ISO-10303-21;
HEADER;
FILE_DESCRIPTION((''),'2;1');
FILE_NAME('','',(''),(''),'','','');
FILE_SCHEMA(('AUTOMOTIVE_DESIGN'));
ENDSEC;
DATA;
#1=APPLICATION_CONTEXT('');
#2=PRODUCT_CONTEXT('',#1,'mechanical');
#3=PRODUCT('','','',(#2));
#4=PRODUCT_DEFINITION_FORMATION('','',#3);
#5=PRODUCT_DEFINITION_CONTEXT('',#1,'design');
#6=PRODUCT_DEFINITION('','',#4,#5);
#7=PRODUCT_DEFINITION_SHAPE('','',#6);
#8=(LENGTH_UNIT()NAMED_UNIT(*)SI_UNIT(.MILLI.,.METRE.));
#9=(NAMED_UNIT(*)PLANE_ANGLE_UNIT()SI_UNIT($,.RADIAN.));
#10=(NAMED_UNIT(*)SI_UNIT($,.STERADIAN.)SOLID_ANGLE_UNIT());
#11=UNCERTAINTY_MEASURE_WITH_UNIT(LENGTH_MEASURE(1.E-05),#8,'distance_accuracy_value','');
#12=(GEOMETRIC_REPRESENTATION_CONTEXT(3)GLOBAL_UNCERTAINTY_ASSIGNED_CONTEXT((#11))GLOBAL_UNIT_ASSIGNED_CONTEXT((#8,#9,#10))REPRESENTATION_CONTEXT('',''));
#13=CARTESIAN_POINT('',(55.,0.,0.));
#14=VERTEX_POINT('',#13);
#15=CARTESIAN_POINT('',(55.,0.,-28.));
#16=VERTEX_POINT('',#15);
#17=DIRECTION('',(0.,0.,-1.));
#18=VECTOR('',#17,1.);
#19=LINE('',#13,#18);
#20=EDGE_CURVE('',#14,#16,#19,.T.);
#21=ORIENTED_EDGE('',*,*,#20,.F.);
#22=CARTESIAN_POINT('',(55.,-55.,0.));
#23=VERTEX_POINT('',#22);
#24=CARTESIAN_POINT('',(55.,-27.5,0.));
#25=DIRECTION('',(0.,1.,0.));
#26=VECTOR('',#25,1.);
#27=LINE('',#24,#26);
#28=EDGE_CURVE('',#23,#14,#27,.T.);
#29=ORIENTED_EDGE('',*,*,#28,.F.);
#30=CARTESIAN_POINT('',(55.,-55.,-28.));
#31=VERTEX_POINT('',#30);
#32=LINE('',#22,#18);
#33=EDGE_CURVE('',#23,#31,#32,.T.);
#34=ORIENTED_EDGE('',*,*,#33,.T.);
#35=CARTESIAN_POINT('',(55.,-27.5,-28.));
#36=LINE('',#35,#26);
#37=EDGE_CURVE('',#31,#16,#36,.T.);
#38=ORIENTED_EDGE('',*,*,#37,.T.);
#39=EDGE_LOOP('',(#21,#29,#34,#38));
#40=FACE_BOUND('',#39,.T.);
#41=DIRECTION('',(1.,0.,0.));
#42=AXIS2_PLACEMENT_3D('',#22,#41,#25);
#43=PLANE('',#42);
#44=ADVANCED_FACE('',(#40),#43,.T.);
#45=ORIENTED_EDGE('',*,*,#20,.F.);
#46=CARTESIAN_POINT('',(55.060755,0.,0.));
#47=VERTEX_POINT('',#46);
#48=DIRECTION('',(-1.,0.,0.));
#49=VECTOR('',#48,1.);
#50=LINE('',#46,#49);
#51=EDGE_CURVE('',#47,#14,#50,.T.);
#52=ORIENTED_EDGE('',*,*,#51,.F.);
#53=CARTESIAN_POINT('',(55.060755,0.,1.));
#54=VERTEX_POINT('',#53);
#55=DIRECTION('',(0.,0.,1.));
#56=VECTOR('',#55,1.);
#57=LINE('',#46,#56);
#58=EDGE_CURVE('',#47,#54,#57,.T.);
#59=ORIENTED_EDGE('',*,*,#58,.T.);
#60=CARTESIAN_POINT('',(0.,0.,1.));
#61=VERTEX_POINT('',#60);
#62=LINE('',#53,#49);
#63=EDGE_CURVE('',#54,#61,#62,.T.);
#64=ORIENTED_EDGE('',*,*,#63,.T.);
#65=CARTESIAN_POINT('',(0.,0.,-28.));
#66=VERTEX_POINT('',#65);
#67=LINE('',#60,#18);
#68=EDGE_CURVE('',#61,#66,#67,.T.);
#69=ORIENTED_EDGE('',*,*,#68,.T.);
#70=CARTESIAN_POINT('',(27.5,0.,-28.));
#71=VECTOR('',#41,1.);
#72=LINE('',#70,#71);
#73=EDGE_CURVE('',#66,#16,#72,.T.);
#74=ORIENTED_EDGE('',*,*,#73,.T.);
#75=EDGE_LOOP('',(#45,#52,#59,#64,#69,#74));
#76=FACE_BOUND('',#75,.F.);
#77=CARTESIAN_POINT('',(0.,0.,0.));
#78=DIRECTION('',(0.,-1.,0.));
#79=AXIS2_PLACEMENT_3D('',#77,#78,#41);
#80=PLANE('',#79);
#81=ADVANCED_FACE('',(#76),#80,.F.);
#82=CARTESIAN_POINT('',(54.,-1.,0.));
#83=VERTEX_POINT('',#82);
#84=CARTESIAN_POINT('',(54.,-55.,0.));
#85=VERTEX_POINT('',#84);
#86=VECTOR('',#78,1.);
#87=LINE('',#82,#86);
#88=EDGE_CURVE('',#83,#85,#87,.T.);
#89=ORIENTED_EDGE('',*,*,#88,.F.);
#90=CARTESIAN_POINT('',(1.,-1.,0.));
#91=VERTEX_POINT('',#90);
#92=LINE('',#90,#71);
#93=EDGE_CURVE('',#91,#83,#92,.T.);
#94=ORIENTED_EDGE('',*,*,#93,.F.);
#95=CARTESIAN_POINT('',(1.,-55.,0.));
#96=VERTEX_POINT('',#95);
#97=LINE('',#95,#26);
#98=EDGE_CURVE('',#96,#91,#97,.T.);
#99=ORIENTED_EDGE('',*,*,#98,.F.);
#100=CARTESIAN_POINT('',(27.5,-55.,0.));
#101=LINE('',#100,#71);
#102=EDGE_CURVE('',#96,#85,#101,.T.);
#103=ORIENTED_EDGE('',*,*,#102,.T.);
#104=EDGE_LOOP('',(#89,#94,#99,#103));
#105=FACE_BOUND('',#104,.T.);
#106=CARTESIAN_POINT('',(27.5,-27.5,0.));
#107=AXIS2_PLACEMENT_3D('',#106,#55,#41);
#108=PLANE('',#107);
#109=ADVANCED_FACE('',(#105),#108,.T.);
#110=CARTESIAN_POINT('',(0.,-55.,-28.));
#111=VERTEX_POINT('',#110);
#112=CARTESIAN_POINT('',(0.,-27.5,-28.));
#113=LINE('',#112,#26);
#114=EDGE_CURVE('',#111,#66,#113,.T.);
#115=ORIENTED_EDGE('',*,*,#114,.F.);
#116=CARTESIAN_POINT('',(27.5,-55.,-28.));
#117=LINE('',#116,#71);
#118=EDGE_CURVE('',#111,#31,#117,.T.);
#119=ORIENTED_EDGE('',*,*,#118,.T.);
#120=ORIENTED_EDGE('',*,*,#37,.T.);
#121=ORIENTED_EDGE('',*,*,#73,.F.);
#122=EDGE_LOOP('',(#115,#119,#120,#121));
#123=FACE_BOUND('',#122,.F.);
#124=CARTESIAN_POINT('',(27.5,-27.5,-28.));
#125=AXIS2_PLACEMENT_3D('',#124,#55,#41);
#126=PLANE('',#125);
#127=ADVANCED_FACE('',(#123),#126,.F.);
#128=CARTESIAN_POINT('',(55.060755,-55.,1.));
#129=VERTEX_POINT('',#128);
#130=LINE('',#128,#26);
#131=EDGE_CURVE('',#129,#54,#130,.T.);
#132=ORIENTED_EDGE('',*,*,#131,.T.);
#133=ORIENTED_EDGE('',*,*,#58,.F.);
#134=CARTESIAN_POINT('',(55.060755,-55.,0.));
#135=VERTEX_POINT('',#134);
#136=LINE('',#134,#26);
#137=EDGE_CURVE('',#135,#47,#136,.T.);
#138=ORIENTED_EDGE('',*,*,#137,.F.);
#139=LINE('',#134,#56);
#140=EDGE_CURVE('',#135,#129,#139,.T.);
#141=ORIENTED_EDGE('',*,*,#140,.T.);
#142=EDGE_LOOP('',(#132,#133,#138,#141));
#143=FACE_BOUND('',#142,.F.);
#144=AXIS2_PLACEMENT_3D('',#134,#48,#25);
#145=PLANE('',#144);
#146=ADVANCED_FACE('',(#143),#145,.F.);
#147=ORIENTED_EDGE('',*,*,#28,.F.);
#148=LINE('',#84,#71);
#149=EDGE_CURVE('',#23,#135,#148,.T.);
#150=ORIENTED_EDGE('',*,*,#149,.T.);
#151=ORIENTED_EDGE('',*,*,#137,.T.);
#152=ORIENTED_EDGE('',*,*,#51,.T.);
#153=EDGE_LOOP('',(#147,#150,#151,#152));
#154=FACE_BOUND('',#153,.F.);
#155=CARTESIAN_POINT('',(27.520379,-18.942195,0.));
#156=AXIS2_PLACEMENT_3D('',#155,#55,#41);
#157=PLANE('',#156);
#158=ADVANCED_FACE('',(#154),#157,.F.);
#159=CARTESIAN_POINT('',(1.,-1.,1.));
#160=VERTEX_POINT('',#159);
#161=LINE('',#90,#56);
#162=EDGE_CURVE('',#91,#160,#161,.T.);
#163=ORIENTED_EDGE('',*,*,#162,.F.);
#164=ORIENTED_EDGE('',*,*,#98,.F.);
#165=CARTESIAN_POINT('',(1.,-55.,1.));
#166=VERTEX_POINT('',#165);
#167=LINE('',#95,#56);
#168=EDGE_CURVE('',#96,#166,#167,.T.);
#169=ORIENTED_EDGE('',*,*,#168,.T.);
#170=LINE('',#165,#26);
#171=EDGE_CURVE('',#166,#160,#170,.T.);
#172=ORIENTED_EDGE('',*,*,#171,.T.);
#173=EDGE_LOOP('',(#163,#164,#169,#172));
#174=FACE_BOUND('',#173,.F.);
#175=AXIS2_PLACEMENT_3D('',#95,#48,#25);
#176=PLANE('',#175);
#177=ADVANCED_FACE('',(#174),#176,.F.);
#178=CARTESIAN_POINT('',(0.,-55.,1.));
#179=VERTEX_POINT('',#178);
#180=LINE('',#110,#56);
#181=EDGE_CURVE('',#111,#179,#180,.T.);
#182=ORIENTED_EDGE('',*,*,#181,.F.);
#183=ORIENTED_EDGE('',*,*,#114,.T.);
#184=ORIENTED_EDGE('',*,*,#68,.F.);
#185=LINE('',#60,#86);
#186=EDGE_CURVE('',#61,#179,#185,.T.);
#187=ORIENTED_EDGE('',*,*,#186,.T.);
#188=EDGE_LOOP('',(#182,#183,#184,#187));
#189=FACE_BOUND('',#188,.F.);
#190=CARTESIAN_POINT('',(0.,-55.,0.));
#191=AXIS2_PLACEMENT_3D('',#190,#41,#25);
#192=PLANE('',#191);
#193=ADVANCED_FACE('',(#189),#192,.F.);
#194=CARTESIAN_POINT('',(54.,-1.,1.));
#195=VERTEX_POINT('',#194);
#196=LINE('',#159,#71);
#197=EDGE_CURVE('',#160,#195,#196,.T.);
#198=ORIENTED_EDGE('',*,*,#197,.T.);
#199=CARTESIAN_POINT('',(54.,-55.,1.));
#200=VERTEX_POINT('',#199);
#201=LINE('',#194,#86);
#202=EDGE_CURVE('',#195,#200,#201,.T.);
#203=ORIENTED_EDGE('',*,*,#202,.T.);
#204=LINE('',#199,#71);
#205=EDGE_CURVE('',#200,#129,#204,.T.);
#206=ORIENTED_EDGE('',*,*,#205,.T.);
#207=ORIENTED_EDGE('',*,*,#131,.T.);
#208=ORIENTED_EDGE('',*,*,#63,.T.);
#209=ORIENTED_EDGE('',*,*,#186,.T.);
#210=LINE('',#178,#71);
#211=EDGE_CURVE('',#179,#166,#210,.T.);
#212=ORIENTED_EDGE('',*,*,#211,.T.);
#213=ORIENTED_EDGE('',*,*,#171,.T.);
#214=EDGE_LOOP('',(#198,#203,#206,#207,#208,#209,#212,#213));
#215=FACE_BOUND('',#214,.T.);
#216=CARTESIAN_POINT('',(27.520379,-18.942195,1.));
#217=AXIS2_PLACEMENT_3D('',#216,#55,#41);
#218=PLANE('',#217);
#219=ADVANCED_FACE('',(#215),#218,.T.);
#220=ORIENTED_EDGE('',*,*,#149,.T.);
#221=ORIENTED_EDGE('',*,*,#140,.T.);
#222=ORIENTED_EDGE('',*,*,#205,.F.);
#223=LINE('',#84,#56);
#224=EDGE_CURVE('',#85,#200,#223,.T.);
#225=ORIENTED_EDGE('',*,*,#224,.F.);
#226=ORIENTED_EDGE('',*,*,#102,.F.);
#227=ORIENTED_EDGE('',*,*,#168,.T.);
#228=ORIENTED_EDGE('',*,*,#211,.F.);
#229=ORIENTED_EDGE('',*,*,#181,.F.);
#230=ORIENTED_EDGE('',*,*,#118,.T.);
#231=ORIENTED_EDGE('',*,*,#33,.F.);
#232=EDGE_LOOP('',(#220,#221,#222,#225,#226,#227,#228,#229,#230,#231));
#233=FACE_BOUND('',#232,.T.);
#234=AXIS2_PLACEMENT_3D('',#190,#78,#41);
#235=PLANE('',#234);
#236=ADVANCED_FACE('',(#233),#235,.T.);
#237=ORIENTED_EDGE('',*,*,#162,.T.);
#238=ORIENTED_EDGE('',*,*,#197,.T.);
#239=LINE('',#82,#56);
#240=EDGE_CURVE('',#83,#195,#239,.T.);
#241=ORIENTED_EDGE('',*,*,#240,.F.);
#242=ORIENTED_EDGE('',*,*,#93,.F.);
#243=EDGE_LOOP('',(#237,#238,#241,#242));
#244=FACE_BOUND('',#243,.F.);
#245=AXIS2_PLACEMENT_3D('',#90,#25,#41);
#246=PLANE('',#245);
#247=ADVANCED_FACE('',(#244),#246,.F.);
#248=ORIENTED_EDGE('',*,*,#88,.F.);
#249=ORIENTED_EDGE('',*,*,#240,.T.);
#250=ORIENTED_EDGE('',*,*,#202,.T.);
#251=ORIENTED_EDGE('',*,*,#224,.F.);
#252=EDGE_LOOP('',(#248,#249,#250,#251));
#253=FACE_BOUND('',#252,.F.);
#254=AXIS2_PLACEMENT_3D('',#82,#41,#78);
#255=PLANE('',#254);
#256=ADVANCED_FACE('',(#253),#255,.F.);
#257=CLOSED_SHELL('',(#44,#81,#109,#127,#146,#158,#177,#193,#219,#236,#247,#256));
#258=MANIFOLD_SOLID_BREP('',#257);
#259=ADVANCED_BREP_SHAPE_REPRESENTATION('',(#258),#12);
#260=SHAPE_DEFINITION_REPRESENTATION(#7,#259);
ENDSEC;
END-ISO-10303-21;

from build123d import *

# Parameters (mm, degrees)
F2_DEPTH = 1
F0_W     = 55
F0_H     = 55
F3_DEPTH = 28


with BuildPart() as f2:
    # F1 (on face) → F2 (new body)
    with BuildSketch(Plane.XY):
        Polygon((1, -1), (54, -1), (54, -55), (55.060755, -55), (55.060755, 0), (0, 0), (0, -55), (1, -55), align=None)
    extrude(amount=F2_DEPTH)

    # F0 (on Top) → F3 (join)
    with BuildSketch(Plane.XY):
        with Locations((27.5, -27.5)):
            Rectangle(F0_W, F0_H)
    extrude(amount=-F3_DEPTH)


solid = f2.part
